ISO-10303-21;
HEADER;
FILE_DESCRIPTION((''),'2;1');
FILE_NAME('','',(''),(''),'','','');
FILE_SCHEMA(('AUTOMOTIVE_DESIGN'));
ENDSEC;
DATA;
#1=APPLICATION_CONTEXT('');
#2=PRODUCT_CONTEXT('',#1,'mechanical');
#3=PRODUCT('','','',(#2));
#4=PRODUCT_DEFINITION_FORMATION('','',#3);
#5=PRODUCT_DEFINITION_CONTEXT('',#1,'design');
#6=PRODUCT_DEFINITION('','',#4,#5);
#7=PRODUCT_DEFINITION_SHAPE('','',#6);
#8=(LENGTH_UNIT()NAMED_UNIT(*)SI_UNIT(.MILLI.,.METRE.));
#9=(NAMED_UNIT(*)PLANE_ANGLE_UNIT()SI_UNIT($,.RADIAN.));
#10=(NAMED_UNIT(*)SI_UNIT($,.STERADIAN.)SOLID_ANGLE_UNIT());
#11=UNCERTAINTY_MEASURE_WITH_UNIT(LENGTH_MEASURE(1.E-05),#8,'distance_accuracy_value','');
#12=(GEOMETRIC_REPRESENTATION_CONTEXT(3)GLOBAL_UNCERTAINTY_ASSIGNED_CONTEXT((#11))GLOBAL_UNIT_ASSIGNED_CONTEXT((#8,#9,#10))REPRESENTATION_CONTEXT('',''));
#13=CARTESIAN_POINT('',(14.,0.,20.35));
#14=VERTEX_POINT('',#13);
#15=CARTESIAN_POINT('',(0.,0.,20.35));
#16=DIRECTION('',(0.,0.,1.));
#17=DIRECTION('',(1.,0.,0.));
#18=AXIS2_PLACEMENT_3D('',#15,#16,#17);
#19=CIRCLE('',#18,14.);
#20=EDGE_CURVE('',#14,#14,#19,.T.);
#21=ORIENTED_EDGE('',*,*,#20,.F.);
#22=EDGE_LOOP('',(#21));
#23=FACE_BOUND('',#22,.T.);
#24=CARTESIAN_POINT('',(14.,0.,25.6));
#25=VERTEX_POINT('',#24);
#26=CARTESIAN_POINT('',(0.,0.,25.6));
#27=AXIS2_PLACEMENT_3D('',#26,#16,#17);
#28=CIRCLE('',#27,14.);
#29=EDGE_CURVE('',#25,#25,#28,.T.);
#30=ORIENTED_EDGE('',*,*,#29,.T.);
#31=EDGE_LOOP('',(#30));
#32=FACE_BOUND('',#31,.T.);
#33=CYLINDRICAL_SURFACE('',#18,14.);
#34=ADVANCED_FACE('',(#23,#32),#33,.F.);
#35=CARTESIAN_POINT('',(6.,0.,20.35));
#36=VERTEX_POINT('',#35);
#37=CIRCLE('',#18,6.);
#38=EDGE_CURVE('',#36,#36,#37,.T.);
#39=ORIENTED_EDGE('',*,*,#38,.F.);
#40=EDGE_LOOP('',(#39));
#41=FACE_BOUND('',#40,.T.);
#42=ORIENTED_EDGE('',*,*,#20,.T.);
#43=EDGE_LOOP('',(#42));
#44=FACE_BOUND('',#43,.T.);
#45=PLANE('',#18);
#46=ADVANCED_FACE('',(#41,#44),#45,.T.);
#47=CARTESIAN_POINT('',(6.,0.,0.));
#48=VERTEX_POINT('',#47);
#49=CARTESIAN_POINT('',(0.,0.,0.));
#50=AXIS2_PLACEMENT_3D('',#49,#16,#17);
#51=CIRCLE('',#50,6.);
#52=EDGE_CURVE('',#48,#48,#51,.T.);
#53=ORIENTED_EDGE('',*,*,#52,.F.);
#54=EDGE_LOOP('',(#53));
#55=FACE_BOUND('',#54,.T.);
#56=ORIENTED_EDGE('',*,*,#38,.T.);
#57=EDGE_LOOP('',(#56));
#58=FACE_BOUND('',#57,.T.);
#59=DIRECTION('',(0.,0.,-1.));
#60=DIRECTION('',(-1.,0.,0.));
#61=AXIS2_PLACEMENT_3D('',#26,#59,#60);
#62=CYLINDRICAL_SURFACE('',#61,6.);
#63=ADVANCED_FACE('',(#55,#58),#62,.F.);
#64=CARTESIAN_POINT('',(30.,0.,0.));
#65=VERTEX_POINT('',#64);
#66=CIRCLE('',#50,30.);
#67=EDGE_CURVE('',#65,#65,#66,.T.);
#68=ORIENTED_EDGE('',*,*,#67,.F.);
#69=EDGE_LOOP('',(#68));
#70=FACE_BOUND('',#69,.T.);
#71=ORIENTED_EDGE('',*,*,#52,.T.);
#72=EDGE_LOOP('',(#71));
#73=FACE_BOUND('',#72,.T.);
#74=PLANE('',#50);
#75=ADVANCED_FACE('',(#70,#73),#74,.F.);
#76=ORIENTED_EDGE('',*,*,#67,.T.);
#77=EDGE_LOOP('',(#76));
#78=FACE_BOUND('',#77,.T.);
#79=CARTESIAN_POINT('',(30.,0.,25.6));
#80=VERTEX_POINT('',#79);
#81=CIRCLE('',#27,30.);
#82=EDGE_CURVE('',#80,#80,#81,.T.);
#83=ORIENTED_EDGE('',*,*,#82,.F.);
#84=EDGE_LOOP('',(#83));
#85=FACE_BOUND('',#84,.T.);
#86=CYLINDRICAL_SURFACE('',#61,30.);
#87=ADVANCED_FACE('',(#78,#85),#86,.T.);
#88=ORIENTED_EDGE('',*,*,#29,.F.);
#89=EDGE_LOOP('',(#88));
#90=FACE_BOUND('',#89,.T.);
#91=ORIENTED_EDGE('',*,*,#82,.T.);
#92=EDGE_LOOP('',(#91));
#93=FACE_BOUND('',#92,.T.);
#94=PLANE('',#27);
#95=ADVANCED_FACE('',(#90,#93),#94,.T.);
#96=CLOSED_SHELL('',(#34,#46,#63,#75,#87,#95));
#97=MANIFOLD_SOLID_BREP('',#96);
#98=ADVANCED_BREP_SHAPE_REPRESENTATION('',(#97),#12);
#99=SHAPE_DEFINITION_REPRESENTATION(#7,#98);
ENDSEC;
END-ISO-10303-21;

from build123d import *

# Parameters (mm, degrees)
SKETCH_1_R          = 30
SKETCH_1_R_2        = 6
EXTRUDE_1_DEPTH     = 25.6
SKETCH_2_R          = 14
CUT_EXTRUDE_1_DEPTH = 5.25


with BuildPart() as part:
    # ｽｹｯﾁ1 → ﾎﾞｽ - 押し出し1 (new body)
    with BuildSketch(Plane.XY):
        Circle(SKETCH_1_R)
        Circle(SKETCH_1_R_2, mode=Mode.SUBTRACT)
    extrude(amount=EXTRUDE_1_DEPTH)

    # ｽｹｯﾁ2 → ｶｯﾄ - 押し出し1 (cut)
    with BuildSketch(Plane.XY.offset(25.6)):
        Circle(SKETCH_2_R)
    extrude(amount=-CUT_EXTRUDE_1_DEPTH, mode=Mode.SUBTRACT)


solid = part.part
